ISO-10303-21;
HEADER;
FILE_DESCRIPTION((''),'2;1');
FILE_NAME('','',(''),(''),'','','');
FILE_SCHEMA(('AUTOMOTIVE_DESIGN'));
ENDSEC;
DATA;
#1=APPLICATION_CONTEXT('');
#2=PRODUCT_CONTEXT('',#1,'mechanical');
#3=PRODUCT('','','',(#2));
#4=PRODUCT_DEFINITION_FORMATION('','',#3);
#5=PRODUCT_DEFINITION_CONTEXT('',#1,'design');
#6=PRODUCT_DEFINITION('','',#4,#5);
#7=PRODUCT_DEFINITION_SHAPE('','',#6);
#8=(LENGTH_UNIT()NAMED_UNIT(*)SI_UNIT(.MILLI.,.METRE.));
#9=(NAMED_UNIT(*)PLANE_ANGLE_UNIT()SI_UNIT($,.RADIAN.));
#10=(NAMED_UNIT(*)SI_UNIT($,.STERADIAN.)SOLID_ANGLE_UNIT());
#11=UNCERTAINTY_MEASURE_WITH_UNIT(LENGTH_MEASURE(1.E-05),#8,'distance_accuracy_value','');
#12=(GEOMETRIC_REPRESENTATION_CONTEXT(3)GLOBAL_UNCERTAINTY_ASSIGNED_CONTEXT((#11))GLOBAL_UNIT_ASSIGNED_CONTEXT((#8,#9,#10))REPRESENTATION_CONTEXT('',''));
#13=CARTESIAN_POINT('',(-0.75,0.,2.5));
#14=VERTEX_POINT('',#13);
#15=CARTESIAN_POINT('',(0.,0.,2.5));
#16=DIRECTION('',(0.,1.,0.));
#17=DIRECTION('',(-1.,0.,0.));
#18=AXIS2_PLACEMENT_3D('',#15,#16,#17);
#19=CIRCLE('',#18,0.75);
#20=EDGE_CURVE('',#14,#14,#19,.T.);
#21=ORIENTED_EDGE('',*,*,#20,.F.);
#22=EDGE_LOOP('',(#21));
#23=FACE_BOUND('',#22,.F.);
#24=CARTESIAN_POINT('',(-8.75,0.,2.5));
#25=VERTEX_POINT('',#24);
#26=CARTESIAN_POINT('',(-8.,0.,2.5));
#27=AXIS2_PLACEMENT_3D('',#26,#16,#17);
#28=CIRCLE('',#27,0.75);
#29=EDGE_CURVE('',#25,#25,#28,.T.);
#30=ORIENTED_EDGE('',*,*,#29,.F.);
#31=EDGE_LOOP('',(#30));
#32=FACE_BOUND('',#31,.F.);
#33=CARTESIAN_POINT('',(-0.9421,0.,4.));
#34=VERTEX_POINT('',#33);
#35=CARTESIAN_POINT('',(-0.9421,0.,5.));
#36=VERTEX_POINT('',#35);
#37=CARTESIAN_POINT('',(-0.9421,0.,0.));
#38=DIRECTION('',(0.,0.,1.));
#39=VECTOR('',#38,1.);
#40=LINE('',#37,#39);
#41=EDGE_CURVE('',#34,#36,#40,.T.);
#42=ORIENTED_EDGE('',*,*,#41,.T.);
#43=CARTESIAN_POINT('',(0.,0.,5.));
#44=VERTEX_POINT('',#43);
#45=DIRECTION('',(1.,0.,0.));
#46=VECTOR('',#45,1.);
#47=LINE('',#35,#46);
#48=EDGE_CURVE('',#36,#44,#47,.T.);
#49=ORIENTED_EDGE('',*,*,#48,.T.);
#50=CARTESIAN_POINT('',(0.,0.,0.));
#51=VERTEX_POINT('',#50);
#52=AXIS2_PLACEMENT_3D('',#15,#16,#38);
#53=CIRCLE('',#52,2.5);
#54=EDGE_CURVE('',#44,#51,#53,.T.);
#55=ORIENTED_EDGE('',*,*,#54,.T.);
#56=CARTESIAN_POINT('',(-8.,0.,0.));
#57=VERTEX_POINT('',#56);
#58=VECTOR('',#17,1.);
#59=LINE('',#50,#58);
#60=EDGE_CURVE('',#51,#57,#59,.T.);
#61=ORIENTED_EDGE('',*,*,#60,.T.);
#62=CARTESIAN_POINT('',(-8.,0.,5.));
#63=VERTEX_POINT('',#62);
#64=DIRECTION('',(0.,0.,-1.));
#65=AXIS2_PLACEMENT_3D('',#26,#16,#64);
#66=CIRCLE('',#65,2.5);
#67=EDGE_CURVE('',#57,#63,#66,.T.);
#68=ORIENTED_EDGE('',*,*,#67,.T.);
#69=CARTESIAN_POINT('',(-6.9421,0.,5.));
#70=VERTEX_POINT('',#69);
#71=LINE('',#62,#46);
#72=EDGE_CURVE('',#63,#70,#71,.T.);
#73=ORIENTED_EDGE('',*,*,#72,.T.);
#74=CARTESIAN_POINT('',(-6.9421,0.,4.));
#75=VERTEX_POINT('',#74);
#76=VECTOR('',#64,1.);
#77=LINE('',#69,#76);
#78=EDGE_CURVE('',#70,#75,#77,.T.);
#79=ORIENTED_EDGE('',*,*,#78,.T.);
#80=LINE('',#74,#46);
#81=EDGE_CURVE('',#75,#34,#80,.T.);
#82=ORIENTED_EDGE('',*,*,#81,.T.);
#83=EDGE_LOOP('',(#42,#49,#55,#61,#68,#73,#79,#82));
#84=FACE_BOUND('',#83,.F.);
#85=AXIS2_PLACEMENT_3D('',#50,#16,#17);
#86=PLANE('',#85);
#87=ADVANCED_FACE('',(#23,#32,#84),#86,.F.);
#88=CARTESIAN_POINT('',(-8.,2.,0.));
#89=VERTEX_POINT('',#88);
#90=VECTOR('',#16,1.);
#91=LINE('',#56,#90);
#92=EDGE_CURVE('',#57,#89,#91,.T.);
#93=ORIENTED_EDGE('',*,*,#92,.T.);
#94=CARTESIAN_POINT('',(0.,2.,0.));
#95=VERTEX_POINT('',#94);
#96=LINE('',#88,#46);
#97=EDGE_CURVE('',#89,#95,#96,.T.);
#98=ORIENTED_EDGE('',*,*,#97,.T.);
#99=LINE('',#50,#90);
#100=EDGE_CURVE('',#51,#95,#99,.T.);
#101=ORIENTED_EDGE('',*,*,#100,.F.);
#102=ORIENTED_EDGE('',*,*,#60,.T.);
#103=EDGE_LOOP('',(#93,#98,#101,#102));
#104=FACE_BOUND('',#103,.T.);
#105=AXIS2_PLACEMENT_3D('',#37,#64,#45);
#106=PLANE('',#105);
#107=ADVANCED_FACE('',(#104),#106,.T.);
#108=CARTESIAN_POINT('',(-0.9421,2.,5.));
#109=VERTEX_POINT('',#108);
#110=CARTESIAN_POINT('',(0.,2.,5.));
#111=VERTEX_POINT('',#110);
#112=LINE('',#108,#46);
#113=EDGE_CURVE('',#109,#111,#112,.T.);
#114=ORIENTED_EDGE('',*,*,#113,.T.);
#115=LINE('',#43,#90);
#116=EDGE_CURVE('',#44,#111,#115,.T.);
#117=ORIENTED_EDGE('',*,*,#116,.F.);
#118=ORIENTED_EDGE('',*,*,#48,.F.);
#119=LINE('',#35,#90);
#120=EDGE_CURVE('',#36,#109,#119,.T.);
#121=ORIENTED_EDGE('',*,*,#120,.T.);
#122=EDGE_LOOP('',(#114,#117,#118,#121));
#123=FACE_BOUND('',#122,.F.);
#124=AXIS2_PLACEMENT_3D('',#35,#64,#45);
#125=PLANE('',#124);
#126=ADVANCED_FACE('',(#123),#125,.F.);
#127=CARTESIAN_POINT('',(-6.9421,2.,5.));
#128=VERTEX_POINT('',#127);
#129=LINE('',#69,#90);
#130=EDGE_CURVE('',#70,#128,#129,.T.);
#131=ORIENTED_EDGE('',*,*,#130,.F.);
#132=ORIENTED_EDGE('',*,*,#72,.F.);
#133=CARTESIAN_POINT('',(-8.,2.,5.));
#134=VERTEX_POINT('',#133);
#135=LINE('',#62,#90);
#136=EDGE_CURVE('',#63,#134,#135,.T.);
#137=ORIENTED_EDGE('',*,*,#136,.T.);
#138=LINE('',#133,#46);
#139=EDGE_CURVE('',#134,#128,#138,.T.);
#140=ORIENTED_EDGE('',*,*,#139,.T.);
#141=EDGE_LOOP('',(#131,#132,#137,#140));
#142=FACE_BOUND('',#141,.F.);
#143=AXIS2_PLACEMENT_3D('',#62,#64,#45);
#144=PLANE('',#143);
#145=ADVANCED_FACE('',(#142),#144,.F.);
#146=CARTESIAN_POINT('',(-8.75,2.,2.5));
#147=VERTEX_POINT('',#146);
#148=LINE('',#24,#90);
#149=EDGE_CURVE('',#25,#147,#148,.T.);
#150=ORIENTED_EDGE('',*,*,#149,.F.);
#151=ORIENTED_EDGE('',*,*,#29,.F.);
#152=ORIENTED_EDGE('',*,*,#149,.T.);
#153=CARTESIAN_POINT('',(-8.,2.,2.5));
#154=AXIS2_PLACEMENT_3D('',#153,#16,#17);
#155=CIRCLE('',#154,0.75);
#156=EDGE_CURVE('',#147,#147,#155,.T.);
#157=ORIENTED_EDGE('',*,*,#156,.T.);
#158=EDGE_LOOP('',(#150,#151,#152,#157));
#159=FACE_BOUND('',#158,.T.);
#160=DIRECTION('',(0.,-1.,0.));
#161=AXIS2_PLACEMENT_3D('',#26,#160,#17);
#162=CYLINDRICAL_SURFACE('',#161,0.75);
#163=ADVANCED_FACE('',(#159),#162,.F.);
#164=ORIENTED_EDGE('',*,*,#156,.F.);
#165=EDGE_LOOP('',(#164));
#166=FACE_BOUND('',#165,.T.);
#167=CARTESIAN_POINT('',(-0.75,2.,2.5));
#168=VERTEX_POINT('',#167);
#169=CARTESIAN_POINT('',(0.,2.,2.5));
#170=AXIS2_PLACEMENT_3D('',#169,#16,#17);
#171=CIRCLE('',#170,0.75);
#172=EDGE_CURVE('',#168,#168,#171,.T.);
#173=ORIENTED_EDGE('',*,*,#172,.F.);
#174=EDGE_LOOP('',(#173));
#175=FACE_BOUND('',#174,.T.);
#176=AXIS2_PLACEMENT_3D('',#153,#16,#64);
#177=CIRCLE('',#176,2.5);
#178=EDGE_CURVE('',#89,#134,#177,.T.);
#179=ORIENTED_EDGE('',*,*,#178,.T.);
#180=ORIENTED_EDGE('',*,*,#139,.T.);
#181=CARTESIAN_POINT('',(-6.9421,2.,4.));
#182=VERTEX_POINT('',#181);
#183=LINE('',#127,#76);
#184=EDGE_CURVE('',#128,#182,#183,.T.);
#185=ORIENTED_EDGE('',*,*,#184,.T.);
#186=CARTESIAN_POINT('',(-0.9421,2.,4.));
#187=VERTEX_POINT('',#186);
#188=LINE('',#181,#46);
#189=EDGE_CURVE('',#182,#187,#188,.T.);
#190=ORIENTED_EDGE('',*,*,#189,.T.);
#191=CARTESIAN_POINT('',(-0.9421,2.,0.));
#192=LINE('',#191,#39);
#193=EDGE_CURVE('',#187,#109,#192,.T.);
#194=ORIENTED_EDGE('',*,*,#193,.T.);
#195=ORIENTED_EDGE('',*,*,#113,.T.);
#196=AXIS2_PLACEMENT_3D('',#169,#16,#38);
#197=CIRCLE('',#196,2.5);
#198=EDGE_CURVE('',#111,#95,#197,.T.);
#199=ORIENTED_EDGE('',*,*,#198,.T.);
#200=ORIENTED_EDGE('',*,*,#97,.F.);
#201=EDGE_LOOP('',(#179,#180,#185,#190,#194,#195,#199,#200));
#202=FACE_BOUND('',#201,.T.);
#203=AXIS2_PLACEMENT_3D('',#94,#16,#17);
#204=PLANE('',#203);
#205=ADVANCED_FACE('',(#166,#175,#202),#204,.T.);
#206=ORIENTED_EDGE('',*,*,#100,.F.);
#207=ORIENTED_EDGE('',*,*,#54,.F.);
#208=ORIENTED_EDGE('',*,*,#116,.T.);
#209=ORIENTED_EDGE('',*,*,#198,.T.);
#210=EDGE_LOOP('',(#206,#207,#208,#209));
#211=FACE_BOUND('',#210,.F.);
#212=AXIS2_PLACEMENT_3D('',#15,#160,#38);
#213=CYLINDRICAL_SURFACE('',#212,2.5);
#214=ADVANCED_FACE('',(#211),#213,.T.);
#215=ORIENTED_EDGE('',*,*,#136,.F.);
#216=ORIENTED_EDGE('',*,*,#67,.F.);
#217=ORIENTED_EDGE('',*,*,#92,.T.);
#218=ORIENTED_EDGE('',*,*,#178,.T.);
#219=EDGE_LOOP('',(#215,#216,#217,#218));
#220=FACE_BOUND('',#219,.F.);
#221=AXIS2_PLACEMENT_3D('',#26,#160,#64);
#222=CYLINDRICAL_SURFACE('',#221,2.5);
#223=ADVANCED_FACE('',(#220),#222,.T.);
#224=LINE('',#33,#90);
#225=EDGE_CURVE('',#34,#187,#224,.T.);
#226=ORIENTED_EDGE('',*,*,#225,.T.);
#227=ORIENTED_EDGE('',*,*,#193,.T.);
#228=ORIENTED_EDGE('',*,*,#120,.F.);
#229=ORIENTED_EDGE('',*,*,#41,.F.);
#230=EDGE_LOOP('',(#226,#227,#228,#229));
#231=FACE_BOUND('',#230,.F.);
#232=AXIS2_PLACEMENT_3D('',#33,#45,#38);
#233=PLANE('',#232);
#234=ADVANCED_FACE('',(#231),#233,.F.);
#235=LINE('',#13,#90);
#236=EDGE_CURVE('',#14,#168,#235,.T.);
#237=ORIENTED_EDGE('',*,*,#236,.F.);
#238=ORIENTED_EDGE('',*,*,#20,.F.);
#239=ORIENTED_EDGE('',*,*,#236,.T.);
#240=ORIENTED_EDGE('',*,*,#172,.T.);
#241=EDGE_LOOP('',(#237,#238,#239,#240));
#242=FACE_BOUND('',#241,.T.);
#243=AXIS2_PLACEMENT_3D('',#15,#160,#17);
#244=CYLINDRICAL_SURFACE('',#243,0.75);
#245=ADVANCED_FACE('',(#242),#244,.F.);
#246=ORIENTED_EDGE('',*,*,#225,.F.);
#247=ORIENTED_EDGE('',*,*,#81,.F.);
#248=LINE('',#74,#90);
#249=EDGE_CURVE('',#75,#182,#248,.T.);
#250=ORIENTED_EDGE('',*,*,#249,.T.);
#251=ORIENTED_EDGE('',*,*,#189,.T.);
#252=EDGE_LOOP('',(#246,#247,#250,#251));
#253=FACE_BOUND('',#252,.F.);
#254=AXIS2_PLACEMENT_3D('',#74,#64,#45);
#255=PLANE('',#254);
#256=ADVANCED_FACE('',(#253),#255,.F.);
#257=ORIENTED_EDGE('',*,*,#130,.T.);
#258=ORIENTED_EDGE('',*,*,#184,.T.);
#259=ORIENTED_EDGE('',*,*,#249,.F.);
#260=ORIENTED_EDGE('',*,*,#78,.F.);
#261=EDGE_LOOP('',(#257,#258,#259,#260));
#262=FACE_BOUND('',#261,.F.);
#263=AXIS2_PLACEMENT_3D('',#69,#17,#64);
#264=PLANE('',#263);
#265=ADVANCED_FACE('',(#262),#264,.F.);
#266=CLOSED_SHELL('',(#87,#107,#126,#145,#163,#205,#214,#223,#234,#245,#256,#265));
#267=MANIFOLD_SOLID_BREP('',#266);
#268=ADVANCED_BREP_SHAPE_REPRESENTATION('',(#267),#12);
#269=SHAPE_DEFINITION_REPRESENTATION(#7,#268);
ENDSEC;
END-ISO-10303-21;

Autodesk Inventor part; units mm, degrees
ref_plane "YZ Plane" through (0, 0, 0) normal (1, 0, 0) x (0, 1, 0)
ref_plane "XZ Plane" through (0, 0, 0) normal (0, 1, 0) x (-1, 0, 0)
ref_plane "XY Plane" through (0, 0, 0) normal (0, 0, 1) x (1, 0, 0)
sketch "Эскиз1" plane through (0, 0, 0) normal (0, 1, 0) x (-1, 0, 0)
  circle A0 centre (0, 2.5) radius 0.75
  line L0 (0.9421, 0) -> (0.9421, 5)
  line L1 (0.9421, 5) -> (0, 5)
  arc A1 (0, 5) -> (0, 0) centre (0, 2.5) ccw
  line L2 (0.9421, 0) -> (0, 0)
  line L3 (0.9421, 0) -> (0.9421, 5)
  line L4 (6.9421, 0) -> (0.9421, 0)
  line L5 (6.9421, 5) -> (6.9421, 0)
  line L6 (0.9421, 5) -> (6.9421, 5)
  circle A2 centre (8, 2.5) radius 0.75
  line L7 (6.9421, 5) -> (6.9421, 0)
  line L8 (8, 0) -> (6.9421, 0)
  arc A3 (8, 0) -> (8, 5) centre (8, 2.5) ccw
  line L9 (8, 5) -> (6.9421, 5)
  line L10 (0.9421, 5) -> (6.9421, 5)
  line L11 (6.9421, 5) -> (6.9421, 4)
  line L12 (6.9421, 4) -> (0.9421, 4)
  line L13 (0.9421, 4) -> (0.9421, 5)
  point P0 (4, 5)
  dimension "d0" = 1
extrude "Выдавливание1" add sketch "Эскиз1" along normal blind 2 contours L2 A1 L1 L0 | L0 L12 L5 L4 | L5 L9 A3 L8
properties part number "КВ33.044.207 - Прижим ремня" material "Пластик АБС"
